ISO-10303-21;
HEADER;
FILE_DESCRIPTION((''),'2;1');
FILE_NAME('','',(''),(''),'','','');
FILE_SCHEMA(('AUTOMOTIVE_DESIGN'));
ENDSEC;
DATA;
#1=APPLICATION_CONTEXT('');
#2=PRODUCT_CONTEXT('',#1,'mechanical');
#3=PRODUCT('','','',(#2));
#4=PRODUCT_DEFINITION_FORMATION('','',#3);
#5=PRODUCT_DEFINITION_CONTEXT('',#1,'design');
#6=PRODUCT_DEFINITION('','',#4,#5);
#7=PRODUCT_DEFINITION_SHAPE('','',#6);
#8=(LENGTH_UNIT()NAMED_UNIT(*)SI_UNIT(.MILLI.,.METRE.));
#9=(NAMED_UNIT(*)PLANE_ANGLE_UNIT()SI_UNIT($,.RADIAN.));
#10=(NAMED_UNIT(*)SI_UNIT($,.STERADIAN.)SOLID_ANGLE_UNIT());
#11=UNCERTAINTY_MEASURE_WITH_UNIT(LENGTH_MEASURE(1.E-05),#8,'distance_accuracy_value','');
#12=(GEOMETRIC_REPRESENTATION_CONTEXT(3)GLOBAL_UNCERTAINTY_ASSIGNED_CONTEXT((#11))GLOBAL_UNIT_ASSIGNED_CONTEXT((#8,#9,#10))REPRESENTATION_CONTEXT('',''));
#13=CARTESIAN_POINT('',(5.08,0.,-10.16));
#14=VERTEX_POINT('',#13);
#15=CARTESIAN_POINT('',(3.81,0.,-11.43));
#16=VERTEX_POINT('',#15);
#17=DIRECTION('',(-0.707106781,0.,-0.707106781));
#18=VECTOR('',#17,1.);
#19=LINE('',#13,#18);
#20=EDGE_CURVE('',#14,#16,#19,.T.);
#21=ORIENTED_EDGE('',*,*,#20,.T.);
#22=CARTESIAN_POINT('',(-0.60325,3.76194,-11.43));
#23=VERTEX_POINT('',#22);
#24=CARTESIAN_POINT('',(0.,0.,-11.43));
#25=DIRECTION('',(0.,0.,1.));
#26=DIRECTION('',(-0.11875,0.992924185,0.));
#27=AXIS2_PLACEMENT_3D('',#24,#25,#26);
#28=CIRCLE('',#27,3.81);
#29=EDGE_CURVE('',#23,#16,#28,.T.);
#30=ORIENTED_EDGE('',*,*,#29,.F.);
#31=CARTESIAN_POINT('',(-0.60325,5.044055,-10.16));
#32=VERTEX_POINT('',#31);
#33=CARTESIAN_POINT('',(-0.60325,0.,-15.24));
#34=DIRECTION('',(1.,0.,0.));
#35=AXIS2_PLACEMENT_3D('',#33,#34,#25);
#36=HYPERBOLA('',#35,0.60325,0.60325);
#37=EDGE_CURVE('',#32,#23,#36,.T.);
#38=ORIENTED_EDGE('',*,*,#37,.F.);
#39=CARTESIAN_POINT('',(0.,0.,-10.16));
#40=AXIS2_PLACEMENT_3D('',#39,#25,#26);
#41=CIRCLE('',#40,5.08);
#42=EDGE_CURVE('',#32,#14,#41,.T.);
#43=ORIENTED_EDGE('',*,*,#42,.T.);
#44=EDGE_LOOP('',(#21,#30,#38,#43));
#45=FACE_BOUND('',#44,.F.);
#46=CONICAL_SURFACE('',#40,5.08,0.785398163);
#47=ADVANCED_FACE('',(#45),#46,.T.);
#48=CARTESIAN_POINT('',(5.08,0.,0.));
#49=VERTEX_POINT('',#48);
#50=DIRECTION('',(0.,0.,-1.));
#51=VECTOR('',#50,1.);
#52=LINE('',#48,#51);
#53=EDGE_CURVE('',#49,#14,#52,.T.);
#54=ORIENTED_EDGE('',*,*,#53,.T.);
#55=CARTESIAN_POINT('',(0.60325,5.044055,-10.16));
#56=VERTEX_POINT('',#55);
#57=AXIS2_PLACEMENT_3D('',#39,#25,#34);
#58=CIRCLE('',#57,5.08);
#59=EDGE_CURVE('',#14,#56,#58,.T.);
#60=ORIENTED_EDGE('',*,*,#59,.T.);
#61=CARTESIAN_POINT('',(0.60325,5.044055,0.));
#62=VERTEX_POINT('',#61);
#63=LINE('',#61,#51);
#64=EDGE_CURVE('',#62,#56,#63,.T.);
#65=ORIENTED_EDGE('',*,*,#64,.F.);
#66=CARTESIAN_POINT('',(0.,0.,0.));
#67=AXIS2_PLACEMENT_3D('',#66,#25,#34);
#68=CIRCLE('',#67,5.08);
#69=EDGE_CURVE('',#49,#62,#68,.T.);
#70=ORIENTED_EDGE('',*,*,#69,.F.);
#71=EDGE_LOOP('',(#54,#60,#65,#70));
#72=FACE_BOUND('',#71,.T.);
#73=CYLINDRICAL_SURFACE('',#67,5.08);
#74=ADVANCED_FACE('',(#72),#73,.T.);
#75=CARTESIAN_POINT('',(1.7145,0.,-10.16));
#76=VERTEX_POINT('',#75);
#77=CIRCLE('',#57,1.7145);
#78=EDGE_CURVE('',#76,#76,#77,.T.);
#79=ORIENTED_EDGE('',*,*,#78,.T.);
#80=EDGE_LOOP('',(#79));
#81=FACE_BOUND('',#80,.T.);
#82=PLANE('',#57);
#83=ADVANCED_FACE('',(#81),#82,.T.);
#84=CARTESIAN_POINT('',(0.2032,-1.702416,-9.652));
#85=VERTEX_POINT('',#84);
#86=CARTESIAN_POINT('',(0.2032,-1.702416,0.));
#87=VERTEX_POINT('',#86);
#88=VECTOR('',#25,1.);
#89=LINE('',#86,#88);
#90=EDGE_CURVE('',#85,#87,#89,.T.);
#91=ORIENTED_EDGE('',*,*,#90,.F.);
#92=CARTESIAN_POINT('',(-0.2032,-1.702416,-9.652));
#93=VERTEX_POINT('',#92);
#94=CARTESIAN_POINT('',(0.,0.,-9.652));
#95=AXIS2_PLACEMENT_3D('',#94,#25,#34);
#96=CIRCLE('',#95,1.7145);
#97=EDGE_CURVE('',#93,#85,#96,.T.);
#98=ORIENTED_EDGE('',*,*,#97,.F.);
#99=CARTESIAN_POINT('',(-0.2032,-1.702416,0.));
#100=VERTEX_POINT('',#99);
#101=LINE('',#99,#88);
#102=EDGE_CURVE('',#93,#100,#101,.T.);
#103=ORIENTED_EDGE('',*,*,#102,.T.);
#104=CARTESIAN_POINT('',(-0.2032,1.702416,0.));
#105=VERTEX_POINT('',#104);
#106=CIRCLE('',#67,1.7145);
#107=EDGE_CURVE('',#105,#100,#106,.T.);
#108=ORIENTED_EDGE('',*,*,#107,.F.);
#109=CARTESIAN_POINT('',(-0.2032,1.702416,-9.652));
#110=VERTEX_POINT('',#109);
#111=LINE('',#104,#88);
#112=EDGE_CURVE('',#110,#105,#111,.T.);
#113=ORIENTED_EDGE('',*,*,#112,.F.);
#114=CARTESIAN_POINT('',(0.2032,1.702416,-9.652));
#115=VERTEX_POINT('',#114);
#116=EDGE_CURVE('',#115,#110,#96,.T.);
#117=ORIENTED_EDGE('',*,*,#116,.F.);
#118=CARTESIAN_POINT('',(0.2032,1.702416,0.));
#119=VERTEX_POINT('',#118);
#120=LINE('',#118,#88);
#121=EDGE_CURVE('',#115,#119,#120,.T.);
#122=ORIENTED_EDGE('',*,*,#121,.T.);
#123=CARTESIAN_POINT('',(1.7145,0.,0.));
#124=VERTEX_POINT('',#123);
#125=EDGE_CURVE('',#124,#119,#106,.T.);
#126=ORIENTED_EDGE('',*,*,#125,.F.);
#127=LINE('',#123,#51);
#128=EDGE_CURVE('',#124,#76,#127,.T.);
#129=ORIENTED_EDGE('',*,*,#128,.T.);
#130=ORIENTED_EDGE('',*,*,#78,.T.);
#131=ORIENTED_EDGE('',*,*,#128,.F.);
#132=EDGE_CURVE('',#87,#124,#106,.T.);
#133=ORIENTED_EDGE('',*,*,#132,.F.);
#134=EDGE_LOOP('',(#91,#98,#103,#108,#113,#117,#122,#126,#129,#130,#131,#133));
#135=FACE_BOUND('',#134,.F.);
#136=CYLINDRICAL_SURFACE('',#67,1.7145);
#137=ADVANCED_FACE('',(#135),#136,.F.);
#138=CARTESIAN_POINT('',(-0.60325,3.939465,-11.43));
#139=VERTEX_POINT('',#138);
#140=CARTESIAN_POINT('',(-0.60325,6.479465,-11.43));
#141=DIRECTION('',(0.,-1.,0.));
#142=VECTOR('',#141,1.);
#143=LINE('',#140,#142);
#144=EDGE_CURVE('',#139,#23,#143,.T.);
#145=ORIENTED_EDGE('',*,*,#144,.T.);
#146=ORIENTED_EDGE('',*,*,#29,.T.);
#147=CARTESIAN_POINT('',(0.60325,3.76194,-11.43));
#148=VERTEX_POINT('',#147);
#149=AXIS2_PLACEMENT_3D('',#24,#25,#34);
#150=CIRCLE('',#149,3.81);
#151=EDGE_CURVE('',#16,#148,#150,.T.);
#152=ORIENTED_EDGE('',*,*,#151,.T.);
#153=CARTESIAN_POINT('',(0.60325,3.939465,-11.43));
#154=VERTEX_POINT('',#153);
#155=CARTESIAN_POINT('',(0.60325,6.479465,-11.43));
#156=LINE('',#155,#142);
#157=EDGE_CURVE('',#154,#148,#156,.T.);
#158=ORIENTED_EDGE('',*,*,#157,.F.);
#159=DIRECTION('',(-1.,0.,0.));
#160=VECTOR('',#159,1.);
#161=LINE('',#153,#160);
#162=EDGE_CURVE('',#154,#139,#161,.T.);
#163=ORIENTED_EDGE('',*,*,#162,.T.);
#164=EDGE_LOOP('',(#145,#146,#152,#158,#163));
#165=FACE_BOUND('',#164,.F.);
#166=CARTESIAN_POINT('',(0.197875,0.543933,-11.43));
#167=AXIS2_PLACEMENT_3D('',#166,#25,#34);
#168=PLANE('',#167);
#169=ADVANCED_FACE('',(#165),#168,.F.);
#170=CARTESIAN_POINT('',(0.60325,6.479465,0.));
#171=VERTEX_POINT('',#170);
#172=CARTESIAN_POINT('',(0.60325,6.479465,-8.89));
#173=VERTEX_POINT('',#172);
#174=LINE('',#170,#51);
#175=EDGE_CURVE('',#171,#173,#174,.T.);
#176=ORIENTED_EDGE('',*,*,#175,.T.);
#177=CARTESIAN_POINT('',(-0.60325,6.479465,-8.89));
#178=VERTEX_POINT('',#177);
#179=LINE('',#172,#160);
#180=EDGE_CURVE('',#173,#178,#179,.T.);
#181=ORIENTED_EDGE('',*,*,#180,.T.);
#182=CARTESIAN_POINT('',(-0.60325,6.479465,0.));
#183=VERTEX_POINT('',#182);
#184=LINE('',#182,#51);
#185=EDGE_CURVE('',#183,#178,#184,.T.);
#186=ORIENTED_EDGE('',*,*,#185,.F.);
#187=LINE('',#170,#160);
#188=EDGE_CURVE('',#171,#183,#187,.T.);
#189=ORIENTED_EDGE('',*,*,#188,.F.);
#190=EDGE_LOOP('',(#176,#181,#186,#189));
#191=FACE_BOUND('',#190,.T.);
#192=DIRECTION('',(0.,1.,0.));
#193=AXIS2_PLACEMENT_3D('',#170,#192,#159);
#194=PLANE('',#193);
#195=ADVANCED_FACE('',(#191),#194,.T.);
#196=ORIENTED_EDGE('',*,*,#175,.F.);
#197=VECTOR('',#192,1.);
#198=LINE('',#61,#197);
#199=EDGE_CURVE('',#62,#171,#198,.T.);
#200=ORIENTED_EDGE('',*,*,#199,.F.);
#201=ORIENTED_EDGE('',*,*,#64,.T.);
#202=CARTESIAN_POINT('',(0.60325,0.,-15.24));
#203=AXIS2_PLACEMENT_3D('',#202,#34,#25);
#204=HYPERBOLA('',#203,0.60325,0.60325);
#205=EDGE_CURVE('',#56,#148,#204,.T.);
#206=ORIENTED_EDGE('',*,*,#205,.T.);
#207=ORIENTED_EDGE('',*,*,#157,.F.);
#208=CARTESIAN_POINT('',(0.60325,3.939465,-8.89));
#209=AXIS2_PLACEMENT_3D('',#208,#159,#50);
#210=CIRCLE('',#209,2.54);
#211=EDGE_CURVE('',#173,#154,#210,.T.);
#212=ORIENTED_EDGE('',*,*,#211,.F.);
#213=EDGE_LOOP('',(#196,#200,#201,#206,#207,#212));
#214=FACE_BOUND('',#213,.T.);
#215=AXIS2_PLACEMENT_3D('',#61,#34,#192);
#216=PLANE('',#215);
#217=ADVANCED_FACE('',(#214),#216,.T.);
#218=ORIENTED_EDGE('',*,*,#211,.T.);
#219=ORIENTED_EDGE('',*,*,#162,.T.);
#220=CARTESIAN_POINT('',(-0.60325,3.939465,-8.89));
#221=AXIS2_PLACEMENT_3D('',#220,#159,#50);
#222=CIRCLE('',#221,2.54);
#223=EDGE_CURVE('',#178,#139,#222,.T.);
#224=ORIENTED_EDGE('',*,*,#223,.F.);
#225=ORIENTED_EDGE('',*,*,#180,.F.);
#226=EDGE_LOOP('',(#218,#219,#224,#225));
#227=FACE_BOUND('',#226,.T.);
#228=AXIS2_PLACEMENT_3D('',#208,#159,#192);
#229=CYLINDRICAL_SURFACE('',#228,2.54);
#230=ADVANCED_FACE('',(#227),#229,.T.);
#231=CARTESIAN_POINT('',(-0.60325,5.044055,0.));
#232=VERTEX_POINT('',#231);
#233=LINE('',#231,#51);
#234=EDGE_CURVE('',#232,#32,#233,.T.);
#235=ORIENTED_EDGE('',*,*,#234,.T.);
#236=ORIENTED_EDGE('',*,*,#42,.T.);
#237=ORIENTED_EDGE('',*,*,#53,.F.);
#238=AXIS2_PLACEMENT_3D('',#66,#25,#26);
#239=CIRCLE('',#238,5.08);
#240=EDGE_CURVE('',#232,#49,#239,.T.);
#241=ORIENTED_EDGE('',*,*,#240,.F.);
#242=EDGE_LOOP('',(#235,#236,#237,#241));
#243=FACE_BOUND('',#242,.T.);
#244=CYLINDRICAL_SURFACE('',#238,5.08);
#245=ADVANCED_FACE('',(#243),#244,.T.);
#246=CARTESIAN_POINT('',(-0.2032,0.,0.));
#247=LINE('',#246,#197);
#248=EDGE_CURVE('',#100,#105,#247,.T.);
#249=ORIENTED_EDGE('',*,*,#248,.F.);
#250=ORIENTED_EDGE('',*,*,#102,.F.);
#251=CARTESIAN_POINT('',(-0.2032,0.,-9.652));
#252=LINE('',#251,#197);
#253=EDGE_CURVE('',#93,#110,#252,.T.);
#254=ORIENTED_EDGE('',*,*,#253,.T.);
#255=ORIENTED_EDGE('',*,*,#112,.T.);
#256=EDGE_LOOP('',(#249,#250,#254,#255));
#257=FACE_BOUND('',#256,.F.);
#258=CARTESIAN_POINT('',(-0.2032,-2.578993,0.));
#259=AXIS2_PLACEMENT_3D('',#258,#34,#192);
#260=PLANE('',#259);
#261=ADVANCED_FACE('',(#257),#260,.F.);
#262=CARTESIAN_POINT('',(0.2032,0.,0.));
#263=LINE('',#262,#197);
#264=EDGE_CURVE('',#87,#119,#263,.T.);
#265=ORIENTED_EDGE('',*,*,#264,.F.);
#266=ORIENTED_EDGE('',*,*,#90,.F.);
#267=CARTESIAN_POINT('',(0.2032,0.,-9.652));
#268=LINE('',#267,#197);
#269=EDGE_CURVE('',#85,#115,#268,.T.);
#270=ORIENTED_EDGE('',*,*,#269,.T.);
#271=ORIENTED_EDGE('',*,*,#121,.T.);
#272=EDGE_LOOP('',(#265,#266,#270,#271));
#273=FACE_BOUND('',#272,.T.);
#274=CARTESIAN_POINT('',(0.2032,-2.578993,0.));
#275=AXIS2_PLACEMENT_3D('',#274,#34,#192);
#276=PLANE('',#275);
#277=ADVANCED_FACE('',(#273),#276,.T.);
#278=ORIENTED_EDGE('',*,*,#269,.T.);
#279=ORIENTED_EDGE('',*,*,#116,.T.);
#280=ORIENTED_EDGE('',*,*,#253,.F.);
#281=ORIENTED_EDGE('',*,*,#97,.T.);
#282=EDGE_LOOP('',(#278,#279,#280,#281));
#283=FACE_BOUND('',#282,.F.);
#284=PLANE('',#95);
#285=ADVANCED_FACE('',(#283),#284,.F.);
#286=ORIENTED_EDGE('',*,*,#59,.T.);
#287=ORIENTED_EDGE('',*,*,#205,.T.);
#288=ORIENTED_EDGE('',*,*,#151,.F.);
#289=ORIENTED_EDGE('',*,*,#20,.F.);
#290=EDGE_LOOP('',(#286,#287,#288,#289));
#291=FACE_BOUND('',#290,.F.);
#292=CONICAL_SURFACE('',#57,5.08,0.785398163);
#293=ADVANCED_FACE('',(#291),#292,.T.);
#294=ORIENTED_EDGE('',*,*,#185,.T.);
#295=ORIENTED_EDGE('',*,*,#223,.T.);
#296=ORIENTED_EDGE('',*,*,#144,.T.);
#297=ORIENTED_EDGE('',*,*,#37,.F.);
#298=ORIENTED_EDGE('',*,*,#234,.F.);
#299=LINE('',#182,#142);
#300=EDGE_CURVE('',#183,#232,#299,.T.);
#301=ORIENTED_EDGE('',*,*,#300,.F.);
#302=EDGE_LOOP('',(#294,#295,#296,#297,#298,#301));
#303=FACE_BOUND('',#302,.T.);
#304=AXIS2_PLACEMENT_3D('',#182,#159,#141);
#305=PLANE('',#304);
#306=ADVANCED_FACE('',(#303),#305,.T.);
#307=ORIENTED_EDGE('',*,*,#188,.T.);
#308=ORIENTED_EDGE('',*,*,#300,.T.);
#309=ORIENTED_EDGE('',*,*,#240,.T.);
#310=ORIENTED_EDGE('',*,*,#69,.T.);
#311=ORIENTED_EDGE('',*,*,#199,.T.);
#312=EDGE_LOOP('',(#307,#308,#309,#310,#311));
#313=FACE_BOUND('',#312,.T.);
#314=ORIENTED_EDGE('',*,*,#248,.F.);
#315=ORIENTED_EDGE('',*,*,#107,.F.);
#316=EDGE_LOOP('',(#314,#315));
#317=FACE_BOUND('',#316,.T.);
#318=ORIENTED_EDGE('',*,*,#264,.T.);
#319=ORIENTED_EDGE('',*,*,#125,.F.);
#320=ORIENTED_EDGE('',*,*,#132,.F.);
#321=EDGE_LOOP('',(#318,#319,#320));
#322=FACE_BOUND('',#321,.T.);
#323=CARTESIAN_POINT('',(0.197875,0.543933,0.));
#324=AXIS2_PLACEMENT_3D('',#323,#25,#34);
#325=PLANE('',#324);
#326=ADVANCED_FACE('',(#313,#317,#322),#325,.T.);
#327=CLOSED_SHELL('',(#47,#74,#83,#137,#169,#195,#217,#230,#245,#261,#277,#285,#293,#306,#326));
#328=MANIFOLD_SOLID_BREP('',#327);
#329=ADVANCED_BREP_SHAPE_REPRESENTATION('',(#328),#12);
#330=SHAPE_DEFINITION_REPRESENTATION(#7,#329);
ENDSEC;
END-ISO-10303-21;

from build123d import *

# Parameters (mm, degrees)
F1_DEPTH = 11.43
F2_R     = 1.7145
F3_DEPTH = 10.16
F4_W     = 0.4064
F4_H     = 5.1579866558
F5_DEPTH = 9.652
F6_SIZE  = 1.27
F7_R     = 2.54


with BuildPart() as f1:
    # F0 (on Top) → F1 (new body)
    with BuildSketch(Plane.XY):
        with BuildLine():
            ThreePointArc((-0.60325, 5.0440548607), (-3.372083184, -3.7994019266), (5.08, 0))
            ThreePointArc((5.08, 0), (3.7994019266, 3.372083184), (0.60325, 5.0440548607))
            Line((0.60325, 5.0440548607), (0.60325, 3.6805351715))
            Line((0.60325, 3.6805351715), (-0.60325, 3.6805351715))
            Line((-0.60325, 3.6805351715), (-0.60325, 5.0440548607))
        make_face()
        with BuildLine():
            Line((0.60325, 3.6805351715), (0.60325, 5.0440548607))
            ThreePointArc((0.60325, 5.0440548607), (0, 5.08), (-0.60325, 5.0440548607))
            Line((-0.60325, 5.0440548607), (-0.60325, 3.6805351715))
            Line((-0.60325, 3.6805351715), (0.60325, 3.6805351715))
        make_face()
        with BuildLine():
            ThreePointArc((-0.60325, 5.0440548607), (0, 5.08), (0.60325, 5.0440548607))
            Line((0.60325, 5.0440548607), (0.60325, 6.4794648285))
            Line((0.60325, 6.4794648285), (-0.60325, 6.4794648285))
            Line((-0.60325, 6.4794648285), (-0.60325, 5.0440548607))
        make_face()
    extrude(amount=-F1_DEPTH)

    # F2 (on face) → F3 (cut)
    with BuildSketch(Plane.XY):
        Circle(F2_R)
    extrude(amount=-F3_DEPTH, mode=Mode.SUBTRACT)

    # F4 (on Top) → F5 (join)
    with BuildSketch(Plane.XY):
        Rectangle(F4_W, F4_H)
    extrude(amount=-F5_DEPTH)

    # F6
    f6_edges = [f1.edges().sort_by_distance(p)[0] for p in [
        (0, -5.08, -11.43),
    ]]
    chamfer(f6_edges, length=F6_SIZE)

    # F7
    f7_edges = [f1.edges().sort_by_distance(p)[0] for p in [
        (0, 6.479465, -11.43),
    ]]
    fillet(f7_edges, radius=F7_R)


solid = f1.part
